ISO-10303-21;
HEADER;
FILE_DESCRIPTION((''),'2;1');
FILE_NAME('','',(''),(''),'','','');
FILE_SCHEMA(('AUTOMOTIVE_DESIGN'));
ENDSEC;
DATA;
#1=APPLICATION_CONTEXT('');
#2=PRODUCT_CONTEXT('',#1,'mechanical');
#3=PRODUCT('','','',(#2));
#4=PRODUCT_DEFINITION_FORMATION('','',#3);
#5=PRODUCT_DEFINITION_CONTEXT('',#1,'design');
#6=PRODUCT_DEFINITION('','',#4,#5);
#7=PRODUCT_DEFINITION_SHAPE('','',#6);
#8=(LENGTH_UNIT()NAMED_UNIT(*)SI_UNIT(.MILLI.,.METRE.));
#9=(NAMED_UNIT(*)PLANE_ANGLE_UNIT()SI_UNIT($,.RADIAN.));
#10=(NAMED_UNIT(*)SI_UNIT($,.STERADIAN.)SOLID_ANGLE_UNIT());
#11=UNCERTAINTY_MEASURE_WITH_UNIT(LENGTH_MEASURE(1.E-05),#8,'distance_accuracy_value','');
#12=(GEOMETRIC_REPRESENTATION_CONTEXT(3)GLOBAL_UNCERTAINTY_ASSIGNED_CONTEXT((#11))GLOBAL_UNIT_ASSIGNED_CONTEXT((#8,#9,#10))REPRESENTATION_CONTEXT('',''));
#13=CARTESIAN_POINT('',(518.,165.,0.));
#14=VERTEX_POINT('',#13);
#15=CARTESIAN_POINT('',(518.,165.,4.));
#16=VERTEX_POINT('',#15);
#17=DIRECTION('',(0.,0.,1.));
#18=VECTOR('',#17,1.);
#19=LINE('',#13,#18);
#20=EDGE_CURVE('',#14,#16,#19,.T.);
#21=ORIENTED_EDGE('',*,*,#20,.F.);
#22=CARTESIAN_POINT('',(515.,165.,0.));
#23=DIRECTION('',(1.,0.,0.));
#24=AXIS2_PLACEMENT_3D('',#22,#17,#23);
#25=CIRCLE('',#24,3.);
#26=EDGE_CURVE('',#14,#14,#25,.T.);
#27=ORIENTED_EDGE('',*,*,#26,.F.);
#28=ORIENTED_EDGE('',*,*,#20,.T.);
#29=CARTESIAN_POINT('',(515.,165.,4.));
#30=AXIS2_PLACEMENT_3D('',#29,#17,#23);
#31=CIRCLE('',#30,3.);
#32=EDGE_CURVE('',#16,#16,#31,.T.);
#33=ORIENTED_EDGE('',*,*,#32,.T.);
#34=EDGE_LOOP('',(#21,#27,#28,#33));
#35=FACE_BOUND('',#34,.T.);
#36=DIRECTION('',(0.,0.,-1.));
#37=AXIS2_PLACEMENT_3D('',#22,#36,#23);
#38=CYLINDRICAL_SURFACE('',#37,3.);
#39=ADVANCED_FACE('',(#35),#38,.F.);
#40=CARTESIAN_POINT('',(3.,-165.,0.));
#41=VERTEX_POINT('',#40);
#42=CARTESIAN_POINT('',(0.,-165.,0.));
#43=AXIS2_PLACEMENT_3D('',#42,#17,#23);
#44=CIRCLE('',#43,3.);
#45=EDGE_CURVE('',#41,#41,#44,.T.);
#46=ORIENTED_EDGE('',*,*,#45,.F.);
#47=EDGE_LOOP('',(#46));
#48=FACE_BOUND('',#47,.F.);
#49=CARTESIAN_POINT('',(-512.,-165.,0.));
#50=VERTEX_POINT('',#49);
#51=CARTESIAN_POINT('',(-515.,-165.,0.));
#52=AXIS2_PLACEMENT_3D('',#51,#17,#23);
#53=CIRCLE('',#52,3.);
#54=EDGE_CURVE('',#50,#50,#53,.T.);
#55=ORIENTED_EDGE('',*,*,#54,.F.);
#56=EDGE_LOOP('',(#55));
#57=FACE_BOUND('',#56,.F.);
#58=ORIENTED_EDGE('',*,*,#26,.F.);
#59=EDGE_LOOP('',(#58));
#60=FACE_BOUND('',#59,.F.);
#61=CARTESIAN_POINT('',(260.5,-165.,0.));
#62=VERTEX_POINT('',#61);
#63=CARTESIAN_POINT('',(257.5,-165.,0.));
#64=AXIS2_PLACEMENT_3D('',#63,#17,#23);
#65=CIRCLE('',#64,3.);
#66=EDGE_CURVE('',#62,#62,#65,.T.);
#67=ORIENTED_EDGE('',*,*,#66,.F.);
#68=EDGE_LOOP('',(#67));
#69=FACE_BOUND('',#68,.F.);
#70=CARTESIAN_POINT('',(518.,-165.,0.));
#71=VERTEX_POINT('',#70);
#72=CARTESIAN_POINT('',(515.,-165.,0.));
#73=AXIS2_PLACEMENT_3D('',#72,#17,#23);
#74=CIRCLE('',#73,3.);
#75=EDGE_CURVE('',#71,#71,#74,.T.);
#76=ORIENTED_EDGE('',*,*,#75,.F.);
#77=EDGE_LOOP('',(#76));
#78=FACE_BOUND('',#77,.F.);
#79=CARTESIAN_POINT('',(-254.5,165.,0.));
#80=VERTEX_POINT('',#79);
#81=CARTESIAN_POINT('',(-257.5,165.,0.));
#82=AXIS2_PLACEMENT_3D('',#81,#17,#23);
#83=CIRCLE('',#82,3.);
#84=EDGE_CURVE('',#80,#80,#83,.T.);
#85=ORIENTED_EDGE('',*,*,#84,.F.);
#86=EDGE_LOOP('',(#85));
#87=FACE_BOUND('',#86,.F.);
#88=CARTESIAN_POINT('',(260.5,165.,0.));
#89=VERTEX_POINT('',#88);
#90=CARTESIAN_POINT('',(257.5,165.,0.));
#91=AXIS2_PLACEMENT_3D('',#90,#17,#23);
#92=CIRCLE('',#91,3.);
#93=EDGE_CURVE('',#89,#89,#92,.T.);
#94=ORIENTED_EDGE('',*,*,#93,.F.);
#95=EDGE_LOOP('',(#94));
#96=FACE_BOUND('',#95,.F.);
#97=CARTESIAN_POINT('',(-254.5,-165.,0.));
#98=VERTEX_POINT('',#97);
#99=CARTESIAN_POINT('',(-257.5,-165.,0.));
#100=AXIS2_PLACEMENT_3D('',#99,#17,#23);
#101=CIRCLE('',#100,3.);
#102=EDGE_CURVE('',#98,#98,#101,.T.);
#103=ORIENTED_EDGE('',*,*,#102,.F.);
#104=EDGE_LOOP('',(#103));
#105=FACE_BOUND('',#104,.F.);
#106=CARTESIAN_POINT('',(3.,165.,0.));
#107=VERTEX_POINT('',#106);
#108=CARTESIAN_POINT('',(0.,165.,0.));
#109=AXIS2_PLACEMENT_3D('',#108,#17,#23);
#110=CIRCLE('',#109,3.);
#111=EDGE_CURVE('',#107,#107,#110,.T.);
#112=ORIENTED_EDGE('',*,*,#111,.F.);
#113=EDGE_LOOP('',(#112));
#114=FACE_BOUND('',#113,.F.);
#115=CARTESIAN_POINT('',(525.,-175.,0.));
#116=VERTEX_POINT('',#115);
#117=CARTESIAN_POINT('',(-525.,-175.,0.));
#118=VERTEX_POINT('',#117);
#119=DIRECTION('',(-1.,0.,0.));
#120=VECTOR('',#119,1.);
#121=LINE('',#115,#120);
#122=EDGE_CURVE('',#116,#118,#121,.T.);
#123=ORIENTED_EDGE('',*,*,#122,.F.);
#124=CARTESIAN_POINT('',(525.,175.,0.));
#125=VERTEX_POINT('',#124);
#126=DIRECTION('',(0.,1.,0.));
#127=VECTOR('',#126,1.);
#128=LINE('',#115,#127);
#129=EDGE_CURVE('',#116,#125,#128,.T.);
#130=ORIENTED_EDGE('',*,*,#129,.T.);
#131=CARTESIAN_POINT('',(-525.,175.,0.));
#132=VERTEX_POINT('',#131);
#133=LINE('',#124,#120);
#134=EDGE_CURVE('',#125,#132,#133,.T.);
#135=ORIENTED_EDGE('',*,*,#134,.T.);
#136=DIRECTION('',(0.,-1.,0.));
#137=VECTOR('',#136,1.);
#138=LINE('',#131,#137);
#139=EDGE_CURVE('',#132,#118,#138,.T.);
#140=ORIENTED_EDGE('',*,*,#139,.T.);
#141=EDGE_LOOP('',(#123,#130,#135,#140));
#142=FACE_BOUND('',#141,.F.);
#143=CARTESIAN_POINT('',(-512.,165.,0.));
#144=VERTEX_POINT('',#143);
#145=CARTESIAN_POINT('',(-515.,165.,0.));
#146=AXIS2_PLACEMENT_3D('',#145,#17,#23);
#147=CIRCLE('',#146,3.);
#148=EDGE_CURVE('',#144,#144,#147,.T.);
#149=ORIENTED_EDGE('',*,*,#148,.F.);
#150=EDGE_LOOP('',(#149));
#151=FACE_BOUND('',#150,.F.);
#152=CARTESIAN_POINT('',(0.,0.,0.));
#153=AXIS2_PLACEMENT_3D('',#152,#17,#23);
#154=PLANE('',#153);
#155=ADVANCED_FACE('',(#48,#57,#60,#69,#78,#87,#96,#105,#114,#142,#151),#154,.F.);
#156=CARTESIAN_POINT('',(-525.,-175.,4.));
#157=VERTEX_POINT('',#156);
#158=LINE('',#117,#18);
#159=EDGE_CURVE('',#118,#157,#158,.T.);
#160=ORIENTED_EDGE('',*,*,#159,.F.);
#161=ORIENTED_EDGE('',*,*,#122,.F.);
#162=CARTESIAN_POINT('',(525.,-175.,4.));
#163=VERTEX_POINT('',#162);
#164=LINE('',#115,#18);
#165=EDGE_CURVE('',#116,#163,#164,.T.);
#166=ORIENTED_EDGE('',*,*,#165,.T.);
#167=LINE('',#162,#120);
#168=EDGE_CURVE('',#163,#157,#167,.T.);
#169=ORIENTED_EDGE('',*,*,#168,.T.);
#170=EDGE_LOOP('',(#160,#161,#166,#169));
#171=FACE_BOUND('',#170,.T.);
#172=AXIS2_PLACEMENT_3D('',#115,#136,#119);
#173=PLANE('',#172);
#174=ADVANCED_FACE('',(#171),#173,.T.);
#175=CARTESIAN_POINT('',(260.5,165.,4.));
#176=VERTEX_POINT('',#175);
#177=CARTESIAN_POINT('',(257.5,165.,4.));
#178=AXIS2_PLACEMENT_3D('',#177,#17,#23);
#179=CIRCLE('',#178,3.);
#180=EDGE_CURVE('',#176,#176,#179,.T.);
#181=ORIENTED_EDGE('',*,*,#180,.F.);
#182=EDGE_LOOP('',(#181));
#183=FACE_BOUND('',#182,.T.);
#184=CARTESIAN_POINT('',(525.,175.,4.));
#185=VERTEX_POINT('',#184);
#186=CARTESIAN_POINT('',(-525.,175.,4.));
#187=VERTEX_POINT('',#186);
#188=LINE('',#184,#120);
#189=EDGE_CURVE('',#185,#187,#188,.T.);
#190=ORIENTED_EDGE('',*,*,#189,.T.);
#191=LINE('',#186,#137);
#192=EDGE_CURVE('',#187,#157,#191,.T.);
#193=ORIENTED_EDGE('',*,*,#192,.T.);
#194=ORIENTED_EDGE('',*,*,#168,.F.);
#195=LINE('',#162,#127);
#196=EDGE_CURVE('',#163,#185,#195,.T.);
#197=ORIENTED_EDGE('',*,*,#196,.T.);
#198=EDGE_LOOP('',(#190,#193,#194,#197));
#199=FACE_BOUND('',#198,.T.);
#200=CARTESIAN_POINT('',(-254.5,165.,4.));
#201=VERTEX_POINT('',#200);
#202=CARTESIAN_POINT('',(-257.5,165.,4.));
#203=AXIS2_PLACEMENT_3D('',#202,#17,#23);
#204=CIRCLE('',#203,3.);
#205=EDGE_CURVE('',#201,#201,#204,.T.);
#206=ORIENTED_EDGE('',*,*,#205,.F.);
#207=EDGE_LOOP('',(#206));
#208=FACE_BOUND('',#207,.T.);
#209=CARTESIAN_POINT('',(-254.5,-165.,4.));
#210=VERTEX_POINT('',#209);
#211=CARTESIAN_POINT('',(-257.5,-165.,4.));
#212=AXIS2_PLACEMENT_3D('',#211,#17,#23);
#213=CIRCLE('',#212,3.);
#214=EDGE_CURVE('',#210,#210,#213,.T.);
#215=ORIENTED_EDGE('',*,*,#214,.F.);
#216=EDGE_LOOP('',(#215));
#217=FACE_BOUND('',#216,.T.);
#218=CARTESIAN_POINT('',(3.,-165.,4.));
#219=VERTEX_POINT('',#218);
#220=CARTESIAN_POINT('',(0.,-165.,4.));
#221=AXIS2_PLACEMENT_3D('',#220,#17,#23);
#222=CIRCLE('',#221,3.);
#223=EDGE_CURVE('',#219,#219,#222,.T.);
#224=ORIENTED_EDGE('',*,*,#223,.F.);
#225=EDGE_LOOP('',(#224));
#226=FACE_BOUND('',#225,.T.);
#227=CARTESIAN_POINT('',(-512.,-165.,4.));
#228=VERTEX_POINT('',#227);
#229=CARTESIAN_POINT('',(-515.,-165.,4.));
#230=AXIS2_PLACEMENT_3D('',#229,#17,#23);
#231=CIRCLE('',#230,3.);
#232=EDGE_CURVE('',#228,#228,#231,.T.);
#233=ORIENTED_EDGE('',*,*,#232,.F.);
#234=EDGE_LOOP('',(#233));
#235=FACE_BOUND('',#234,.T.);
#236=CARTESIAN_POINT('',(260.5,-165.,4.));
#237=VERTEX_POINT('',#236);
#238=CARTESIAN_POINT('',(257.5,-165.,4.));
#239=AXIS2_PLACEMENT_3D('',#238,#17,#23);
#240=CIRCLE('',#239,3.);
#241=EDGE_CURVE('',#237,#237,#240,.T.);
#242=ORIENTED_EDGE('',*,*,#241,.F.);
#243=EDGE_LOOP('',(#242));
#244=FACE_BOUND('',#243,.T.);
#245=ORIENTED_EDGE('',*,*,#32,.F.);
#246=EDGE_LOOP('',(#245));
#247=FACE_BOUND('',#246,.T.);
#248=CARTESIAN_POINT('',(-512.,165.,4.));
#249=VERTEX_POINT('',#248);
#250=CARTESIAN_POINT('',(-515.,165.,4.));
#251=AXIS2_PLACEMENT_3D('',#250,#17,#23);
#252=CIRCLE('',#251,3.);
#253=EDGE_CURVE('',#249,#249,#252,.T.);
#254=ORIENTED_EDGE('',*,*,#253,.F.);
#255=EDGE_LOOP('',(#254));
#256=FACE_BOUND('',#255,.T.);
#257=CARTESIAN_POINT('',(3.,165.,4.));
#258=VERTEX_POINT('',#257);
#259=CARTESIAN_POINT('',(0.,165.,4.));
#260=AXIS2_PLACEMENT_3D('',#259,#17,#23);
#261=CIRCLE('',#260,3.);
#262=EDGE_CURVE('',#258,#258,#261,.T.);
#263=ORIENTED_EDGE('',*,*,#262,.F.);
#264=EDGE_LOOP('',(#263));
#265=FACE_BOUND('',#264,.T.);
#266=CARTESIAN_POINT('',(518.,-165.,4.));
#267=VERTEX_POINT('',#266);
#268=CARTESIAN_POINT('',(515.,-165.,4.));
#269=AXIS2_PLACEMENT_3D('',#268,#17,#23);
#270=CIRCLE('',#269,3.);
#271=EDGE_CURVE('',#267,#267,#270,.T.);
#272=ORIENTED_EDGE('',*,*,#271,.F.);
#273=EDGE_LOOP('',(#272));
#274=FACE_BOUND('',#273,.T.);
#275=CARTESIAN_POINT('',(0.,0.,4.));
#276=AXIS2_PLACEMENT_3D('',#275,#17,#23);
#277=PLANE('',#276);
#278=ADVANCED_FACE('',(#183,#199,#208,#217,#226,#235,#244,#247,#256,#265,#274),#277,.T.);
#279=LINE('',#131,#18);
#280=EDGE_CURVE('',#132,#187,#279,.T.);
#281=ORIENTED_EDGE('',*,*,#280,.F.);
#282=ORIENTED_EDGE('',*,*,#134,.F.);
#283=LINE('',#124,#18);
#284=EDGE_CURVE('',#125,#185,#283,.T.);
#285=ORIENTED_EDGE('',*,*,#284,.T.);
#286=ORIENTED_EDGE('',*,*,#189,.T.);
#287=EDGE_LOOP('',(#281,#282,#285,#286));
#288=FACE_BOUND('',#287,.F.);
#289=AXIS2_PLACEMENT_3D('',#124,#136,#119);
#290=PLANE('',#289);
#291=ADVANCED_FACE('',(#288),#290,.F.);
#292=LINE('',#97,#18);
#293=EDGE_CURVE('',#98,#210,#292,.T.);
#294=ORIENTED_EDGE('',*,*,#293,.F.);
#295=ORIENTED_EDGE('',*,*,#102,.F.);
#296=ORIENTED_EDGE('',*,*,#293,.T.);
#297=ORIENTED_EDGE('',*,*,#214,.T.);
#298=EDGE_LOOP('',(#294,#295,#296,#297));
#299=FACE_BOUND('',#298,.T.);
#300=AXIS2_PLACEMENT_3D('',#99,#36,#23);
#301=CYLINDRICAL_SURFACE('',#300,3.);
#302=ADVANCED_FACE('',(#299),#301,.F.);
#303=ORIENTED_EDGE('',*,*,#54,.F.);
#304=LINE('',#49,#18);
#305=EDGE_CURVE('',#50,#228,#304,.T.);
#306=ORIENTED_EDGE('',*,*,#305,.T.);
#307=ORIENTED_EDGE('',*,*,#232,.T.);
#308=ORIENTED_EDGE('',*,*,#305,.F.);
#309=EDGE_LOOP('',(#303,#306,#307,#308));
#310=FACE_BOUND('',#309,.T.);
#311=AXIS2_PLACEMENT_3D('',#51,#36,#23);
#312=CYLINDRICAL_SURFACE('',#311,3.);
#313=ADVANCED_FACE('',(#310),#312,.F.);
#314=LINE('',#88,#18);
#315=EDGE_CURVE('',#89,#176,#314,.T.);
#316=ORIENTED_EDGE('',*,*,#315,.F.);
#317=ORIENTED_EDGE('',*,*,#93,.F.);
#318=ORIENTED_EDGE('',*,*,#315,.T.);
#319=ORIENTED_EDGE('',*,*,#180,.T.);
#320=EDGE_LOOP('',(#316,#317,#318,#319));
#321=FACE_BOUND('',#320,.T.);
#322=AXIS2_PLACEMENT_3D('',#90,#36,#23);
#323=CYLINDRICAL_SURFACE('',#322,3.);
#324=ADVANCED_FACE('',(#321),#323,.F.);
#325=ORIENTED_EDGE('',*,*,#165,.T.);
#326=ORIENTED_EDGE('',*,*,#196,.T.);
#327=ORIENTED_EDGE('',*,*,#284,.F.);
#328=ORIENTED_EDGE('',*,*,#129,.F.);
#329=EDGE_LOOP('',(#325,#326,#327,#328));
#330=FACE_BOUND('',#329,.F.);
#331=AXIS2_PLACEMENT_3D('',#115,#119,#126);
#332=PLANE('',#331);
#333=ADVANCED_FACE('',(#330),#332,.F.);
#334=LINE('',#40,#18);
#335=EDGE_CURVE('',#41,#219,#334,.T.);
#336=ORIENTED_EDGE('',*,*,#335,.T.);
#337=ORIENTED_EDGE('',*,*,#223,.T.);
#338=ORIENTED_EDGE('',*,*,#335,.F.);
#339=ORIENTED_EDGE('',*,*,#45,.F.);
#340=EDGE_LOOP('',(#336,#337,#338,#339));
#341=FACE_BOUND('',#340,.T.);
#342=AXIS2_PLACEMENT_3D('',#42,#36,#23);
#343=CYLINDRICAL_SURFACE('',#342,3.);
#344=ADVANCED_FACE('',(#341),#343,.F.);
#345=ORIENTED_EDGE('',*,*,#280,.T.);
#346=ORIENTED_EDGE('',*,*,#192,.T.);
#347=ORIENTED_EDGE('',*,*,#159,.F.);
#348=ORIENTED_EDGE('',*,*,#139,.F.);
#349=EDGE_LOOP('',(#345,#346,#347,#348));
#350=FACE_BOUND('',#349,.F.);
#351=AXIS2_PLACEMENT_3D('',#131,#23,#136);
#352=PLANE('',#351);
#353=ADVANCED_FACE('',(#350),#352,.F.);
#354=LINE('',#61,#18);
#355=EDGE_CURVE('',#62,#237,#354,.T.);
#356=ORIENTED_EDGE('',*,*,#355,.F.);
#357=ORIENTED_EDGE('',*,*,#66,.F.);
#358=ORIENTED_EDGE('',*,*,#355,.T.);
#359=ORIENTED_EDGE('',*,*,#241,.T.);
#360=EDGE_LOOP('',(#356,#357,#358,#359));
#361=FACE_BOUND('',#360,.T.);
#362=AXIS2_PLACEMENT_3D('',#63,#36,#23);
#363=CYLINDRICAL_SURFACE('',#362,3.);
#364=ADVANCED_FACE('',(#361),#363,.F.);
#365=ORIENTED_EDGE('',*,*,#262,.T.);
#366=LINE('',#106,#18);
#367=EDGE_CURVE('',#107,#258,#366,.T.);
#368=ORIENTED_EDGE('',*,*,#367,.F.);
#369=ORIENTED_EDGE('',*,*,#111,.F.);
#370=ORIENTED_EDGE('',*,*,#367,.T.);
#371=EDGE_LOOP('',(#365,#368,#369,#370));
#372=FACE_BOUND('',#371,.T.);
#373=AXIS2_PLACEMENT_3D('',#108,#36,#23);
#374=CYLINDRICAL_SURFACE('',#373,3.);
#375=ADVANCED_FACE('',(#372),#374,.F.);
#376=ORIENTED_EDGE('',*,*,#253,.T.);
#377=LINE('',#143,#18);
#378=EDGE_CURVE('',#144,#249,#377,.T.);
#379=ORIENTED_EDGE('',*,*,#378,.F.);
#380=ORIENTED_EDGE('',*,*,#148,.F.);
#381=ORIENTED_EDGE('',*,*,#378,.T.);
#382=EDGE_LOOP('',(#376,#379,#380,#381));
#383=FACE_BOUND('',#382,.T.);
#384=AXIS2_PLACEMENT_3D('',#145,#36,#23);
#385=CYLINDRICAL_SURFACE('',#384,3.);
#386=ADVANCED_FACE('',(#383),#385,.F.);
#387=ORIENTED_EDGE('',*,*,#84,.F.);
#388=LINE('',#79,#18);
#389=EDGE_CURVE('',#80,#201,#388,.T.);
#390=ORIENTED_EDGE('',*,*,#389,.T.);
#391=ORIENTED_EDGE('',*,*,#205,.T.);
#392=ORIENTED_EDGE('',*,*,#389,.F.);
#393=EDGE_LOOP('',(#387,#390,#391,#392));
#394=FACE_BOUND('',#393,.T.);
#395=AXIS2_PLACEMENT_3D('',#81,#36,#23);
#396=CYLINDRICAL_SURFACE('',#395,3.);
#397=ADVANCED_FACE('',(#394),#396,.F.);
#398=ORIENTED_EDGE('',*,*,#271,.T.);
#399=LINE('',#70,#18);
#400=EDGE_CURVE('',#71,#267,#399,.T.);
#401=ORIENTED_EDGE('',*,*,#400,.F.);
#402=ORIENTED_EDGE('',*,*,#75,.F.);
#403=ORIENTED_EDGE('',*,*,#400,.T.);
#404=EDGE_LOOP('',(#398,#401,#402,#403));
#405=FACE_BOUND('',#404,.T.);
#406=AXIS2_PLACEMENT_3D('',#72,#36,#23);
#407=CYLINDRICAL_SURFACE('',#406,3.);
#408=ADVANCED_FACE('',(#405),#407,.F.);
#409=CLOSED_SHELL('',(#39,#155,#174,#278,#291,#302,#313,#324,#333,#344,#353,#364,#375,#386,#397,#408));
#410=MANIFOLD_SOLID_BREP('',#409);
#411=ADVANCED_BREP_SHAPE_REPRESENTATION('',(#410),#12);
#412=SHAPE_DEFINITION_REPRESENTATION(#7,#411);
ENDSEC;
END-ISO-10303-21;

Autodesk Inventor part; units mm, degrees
ref_plane "YZ Plane" through (0, 0, 0) normal (1, 0, 0) x (0, 1, 0)
ref_plane "XZ Plane" through (0, 0, 0) normal (0, 1, 0) x (-1, 0, 0)
ref_plane "XY Plane" through (0, 0, 0) normal (0, 0, 1) x (1, 0, 0)
sketch "Sketch1" plane through (0, 0, 0) normal (0, 0, 1) x (1, 0, 0)
  line L0 (525, 175) -> (-525, 175)
  line L1 (525, -175) -> (-525, -175)
  line L2 (-525, 175) -> (-525, -175)
  line L3 (525, -175) -> (525, 175)
  circle A0 centre (515, 165) radius 3
  line L4 (525, -175) -> (-525, -175)
  line L5 (-525, -175) -> (-525, 175)
  line L6 (-525, 175) -> (525, 175)
  line L7 (525, 175) -> (525, -175)
  circle A1 centre (-515, 165) radius 3
  circle A2 centre (257.5, 165) radius 3
  circle A3 centre (-515, -165) radius 3
  circle A4 centre (-257.5, -165) radius 3
  circle A5 centre (0, -165) radius 3
  circle A6 centre (257.5, -165) radius 3
  circle A7 centre (515, -165) radius 3
  circle A8 centre (-257.5, 165) radius 3
  circle A9 centre (0, 165) radius 3
  circle A10 centre (515, 165) radius 3
  arc A11 (434.5, 36.45) -> (475.35, 77.3) centre (434.5, 77.3) ccw
  line L8 (434.5, 36.45) -> (0, 36.45)
  line L9 (0, 36.45) -> (0, 32.15)
  line L10 (0, 32.15) -> (434.5, 32.15)
  arc A12 (434.5, 32.15) -> (479.65, 77.3) centre (434.5, 77.3) ccw
  line L11 (479.65, 77.3) -> (479.65, 85.5)
  arc A13 (479.65, 85.5) -> (434.5, 130.65) centre (434.5, 85.5) ccw
  line L12 (434.5, 130.65) -> (-434.5, 130.65)
  arc A14 (-434.5, 130.65) -> (-479.65, 85.5) centre (-434.5, 85.5) ccw
  line L13 (-479.65, 85.5) -> (-479.65, 65.8667)
  arc A15 (-479.65, 65.8667) -> (-434.5, 20.7167) centre (-434.5, 65.8667) ccw
  line L14 (-434.5, 20.7167) -> (445.75, 20.7167)
  arc A16 (445.75, 20.7167) -> (490.9, 65.8667) centre (445.75, 65.8667) ccw
  line L15 (490.9, 65.8667) -> (490.9, 96.25)
  arc A17 (490.9, 96.25) -> (445.75, 141.4) centre (445.75, 96.25) ccw
  line L16 (445.75, 141.4) -> (-445.75, 141.4)
  arc A18 (-445.75, 141.4) -> (-490.9, 96.25) centre (-445.75, 96.25) ccw
  line L17 (-490.9, 96.25) -> (-490.9, 54.4333)
  arc A19 (-490.9, 54.4333) -> (-445.75, 9.2833) centre (-445.75, 54.4333) ccw
  line L18 (-445.75, 9.2833) -> (457, 9.2833)
  arc A20 (457, 9.2833) -> (502.15, 54.4333) centre (457, 54.4333) ccw
  line L19 (502.15, 54.4333) -> (502.15, 107)
  arc A21 (502.15, 107) -> (457, 152.15) centre (457, 107) ccw
  line L20 (457, 152.15) -> (-457, 152.15)
  arc A22 (-457, 152.15) -> (-502.15, 107) centre (-457, 107) ccw
  line L21 (-502.15, 107) -> (-502.15, 43)
  arc A23 (-502.15, 43) -> (-457, -2.15) centre (-457, 43) ccw
  line L22 (-457, -2.15) -> (457, -2.15)
  arc A24 (497.85, -43) -> (457, -2.15) centre (457, -43) ccw
  line L23 (497.85, -43) -> (497.85, -107)
  arc A25 (457, -147.85) -> (497.85, -107) centre (457, -107) ccw
  line L24 (457, -147.85) -> (-457, -147.85)
  arc A26 (-497.85, -107) -> (-457, -147.85) centre (-457, -107) ccw
  line L25 (-497.85, -107) -> (-497.85, -54.4333)
  arc A27 (-457, -13.5833) -> (-497.85, -54.4333) centre (-457, -54.4333) ccw
  line L26 (-457, -13.5833) -> (445.75, -13.5833)
  arc A28 (486.6, -54.4333) -> (445.75, -13.5833) centre (445.75, -54.4333) ccw
  line L27 (486.6, -54.4333) -> (486.6, -96.25)
  arc A29 (445.75, -137.1) -> (486.6, -96.25) centre (445.75, -96.25) ccw
  line L28 (445.75, -137.1) -> (-445.75, -137.1)
  arc A30 (-486.6, -96.25) -> (-445.75, -137.1) centre (-445.75, -96.25) ccw
  line L29 (-486.6, -96.25) -> (-486.6, -65.8667)
  arc A31 (-445.75, -25.0167) -> (-486.6, -65.8667) centre (-445.75, -65.8667) ccw
  line L30 (-445.75, -25.0167) -> (434.5, -25.0167)
  arc A32 (475.35, -65.8667) -> (434.5, -25.0167) centre (434.5, -65.8667) ccw
  line L31 (475.35, -65.8667) -> (475.35, -85.5)
  arc A33 (434.5, -126.35) -> (475.35, -85.5) centre (434.5, -85.5) ccw
  line L32 (434.5, -126.35) -> (-434.5, -126.35)
  arc A34 (-475.35, -85.5) -> (-434.5, -126.35) centre (-434.5, -85.5) ccw
  line L33 (-475.35, -85.5) -> (-475.35, -77.3)
  arc A35 (-434.5, -36.45) -> (-475.35, -77.3) centre (-434.5, -77.3) ccw
  line L34 (-434.5, -36.45) -> (0, -36.45)
  line L35 (0, -36.45) -> (0, -32.15)
  line L36 (0, -32.15) -> (-434.5, -32.15)
  arc A36 (-434.5, -32.15) -> (-479.65, -77.3) centre (-434.5, -77.3) ccw
  line L37 (-479.65, -77.3) -> (-479.65, -85.5)
  arc A37 (-479.65, -85.5) -> (-434.5, -130.65) centre (-434.5, -85.5) ccw
  line L38 (-434.5, -130.65) -> (434.5, -130.65)
  arc A38 (434.5, -130.65) -> (479.65, -85.5) centre (434.5, -85.5) ccw
  line L39 (479.65, -85.5) -> (479.65, -65.8667)
  arc A39 (479.65, -65.8667) -> (434.5, -20.7167) centre (434.5, -65.8667) ccw
  line L40 (434.5, -20.7167) -> (-445.75, -20.7167)
  arc A40 (-445.75, -20.7167) -> (-490.9, -65.8667) centre (-445.75, -65.8667) ccw
  line L41 (-490.9, -65.8667) -> (-490.9, -96.25)
  arc A41 (-490.9, -96.25) -> (-445.75, -141.4) centre (-445.75, -96.25) ccw
  line L42 (-445.75, -141.4) -> (445.75, -141.4)
  arc A42 (445.75, -141.4) -> (490.9, -96.25) centre (445.75, -96.25) ccw
  line L43 (490.9, -96.25) -> (490.9, -54.4333)
  arc A43 (490.9, -54.4333) -> (445.75, -9.2833) centre (445.75, -54.4333) ccw
  line L44 (445.75, -9.2833) -> (-457, -9.2833)
  arc A44 (-457, -9.2833) -> (-502.15, -54.4333) centre (-457, -54.4333) ccw
  line L45 (-502.15, -54.4333) -> (-502.15, -107)
  arc A45 (-502.15, -107) -> (-457, -152.15) centre (-457, -107) ccw
  line L46 (-457, -152.15) -> (457, -152.15)
  arc A46 (457, -152.15) -> (502.15, -107) centre (457, -107) ccw
  line L47 (502.15, -107) -> (502.15, -43)
  arc A47 (502.15, -43) -> (457, 2.15) centre (457, -43) ccw
  line L48 (457, 2.15) -> (-457, 2.15)
  arc A48 (-497.85, 43) -> (-457, 2.15) centre (-457, 43) ccw
  line L49 (-497.85, 43) -> (-497.85, 107)
  arc A49 (-457, 147.85) -> (-497.85, 107) centre (-457, 107) ccw
  line L50 (-457, 147.85) -> (457, 147.85)
  arc A50 (497.85, 107) -> (457, 147.85) centre (457, 107) ccw
  line L51 (497.85, 107) -> (497.85, 54.4333)
  arc A51 (457, 13.5833) -> (497.85, 54.4333) centre (457, 54.4333) ccw
  line L52 (457, 13.5833) -> (-445.75, 13.5833)
  arc A52 (-486.6, 54.4333) -> (-445.75, 13.5833) centre (-445.75, 54.4333) ccw
  line L53 (-486.6, 54.4333) -> (-486.6, 96.25)
  arc A53 (-445.75, 137.1) -> (-486.6, 96.25) centre (-445.75, 96.25) ccw
  line L54 (-445.75, 137.1) -> (445.75, 137.1)
  arc A54 (486.6, 96.25) -> (445.75, 137.1) centre (445.75, 96.25) ccw
  line L55 (486.6, 96.25) -> (486.6, 65.8667)
  arc A55 (445.75, 25.0167) -> (486.6, 65.8667) centre (445.75, 65.8667) ccw
  line L56 (445.75, 25.0167) -> (-434.5, 25.0167)
  arc A56 (-475.35, 65.8667) -> (-434.5, 25.0167) centre (-434.5, 65.8667) ccw
  line L57 (-475.35, 65.8667) -> (-475.35, 85.5)
  arc A57 (-434.5, 126.35) -> (-475.35, 85.5) centre (-434.5, 85.5) ccw
  line L58 (-434.5, 126.35) -> (434.5, 126.35)
  arc A58 (475.35, 85.5) -> (434.5, 126.35) centre (434.5, 85.5) ccw
  line L59 (475.35, 85.5) -> (475.35, 77.3)
  point P0 (0, 0)
extrude "Extrusion1" add sketch "Sketch1" along normal blind 4 contours L3 L1 L2 L0 | A11 L59 A58 L58 A57 L57 A56 L56 A55 L55 A54 L54 A53 L53 A52 L52 A51 L51 A50 L50 A49 L49 A48 L48 A47 L47 A46 L46 A45 L45 A44 L44 A43 L43 A42 L42 A41 L41 A40 L40 A39 L39 A38 L38 A37 L37 A36 L36 L35 L34 A35 L33 A34 L32 A33 L31 A32 L30 A31 L29 A30 L28 A29 L27 A28 L26 A27 L25 A26 L24 A25 L23 A24 L22 A23 L21 A22 L20 A21 L19 A20 L18 A19 L17 A18 L16 A17 L15 A16 L14 A15 L13 A14 L12 A13 L11 A12 L10 L9 L8
properties part number "between aluminium and ferrite"
